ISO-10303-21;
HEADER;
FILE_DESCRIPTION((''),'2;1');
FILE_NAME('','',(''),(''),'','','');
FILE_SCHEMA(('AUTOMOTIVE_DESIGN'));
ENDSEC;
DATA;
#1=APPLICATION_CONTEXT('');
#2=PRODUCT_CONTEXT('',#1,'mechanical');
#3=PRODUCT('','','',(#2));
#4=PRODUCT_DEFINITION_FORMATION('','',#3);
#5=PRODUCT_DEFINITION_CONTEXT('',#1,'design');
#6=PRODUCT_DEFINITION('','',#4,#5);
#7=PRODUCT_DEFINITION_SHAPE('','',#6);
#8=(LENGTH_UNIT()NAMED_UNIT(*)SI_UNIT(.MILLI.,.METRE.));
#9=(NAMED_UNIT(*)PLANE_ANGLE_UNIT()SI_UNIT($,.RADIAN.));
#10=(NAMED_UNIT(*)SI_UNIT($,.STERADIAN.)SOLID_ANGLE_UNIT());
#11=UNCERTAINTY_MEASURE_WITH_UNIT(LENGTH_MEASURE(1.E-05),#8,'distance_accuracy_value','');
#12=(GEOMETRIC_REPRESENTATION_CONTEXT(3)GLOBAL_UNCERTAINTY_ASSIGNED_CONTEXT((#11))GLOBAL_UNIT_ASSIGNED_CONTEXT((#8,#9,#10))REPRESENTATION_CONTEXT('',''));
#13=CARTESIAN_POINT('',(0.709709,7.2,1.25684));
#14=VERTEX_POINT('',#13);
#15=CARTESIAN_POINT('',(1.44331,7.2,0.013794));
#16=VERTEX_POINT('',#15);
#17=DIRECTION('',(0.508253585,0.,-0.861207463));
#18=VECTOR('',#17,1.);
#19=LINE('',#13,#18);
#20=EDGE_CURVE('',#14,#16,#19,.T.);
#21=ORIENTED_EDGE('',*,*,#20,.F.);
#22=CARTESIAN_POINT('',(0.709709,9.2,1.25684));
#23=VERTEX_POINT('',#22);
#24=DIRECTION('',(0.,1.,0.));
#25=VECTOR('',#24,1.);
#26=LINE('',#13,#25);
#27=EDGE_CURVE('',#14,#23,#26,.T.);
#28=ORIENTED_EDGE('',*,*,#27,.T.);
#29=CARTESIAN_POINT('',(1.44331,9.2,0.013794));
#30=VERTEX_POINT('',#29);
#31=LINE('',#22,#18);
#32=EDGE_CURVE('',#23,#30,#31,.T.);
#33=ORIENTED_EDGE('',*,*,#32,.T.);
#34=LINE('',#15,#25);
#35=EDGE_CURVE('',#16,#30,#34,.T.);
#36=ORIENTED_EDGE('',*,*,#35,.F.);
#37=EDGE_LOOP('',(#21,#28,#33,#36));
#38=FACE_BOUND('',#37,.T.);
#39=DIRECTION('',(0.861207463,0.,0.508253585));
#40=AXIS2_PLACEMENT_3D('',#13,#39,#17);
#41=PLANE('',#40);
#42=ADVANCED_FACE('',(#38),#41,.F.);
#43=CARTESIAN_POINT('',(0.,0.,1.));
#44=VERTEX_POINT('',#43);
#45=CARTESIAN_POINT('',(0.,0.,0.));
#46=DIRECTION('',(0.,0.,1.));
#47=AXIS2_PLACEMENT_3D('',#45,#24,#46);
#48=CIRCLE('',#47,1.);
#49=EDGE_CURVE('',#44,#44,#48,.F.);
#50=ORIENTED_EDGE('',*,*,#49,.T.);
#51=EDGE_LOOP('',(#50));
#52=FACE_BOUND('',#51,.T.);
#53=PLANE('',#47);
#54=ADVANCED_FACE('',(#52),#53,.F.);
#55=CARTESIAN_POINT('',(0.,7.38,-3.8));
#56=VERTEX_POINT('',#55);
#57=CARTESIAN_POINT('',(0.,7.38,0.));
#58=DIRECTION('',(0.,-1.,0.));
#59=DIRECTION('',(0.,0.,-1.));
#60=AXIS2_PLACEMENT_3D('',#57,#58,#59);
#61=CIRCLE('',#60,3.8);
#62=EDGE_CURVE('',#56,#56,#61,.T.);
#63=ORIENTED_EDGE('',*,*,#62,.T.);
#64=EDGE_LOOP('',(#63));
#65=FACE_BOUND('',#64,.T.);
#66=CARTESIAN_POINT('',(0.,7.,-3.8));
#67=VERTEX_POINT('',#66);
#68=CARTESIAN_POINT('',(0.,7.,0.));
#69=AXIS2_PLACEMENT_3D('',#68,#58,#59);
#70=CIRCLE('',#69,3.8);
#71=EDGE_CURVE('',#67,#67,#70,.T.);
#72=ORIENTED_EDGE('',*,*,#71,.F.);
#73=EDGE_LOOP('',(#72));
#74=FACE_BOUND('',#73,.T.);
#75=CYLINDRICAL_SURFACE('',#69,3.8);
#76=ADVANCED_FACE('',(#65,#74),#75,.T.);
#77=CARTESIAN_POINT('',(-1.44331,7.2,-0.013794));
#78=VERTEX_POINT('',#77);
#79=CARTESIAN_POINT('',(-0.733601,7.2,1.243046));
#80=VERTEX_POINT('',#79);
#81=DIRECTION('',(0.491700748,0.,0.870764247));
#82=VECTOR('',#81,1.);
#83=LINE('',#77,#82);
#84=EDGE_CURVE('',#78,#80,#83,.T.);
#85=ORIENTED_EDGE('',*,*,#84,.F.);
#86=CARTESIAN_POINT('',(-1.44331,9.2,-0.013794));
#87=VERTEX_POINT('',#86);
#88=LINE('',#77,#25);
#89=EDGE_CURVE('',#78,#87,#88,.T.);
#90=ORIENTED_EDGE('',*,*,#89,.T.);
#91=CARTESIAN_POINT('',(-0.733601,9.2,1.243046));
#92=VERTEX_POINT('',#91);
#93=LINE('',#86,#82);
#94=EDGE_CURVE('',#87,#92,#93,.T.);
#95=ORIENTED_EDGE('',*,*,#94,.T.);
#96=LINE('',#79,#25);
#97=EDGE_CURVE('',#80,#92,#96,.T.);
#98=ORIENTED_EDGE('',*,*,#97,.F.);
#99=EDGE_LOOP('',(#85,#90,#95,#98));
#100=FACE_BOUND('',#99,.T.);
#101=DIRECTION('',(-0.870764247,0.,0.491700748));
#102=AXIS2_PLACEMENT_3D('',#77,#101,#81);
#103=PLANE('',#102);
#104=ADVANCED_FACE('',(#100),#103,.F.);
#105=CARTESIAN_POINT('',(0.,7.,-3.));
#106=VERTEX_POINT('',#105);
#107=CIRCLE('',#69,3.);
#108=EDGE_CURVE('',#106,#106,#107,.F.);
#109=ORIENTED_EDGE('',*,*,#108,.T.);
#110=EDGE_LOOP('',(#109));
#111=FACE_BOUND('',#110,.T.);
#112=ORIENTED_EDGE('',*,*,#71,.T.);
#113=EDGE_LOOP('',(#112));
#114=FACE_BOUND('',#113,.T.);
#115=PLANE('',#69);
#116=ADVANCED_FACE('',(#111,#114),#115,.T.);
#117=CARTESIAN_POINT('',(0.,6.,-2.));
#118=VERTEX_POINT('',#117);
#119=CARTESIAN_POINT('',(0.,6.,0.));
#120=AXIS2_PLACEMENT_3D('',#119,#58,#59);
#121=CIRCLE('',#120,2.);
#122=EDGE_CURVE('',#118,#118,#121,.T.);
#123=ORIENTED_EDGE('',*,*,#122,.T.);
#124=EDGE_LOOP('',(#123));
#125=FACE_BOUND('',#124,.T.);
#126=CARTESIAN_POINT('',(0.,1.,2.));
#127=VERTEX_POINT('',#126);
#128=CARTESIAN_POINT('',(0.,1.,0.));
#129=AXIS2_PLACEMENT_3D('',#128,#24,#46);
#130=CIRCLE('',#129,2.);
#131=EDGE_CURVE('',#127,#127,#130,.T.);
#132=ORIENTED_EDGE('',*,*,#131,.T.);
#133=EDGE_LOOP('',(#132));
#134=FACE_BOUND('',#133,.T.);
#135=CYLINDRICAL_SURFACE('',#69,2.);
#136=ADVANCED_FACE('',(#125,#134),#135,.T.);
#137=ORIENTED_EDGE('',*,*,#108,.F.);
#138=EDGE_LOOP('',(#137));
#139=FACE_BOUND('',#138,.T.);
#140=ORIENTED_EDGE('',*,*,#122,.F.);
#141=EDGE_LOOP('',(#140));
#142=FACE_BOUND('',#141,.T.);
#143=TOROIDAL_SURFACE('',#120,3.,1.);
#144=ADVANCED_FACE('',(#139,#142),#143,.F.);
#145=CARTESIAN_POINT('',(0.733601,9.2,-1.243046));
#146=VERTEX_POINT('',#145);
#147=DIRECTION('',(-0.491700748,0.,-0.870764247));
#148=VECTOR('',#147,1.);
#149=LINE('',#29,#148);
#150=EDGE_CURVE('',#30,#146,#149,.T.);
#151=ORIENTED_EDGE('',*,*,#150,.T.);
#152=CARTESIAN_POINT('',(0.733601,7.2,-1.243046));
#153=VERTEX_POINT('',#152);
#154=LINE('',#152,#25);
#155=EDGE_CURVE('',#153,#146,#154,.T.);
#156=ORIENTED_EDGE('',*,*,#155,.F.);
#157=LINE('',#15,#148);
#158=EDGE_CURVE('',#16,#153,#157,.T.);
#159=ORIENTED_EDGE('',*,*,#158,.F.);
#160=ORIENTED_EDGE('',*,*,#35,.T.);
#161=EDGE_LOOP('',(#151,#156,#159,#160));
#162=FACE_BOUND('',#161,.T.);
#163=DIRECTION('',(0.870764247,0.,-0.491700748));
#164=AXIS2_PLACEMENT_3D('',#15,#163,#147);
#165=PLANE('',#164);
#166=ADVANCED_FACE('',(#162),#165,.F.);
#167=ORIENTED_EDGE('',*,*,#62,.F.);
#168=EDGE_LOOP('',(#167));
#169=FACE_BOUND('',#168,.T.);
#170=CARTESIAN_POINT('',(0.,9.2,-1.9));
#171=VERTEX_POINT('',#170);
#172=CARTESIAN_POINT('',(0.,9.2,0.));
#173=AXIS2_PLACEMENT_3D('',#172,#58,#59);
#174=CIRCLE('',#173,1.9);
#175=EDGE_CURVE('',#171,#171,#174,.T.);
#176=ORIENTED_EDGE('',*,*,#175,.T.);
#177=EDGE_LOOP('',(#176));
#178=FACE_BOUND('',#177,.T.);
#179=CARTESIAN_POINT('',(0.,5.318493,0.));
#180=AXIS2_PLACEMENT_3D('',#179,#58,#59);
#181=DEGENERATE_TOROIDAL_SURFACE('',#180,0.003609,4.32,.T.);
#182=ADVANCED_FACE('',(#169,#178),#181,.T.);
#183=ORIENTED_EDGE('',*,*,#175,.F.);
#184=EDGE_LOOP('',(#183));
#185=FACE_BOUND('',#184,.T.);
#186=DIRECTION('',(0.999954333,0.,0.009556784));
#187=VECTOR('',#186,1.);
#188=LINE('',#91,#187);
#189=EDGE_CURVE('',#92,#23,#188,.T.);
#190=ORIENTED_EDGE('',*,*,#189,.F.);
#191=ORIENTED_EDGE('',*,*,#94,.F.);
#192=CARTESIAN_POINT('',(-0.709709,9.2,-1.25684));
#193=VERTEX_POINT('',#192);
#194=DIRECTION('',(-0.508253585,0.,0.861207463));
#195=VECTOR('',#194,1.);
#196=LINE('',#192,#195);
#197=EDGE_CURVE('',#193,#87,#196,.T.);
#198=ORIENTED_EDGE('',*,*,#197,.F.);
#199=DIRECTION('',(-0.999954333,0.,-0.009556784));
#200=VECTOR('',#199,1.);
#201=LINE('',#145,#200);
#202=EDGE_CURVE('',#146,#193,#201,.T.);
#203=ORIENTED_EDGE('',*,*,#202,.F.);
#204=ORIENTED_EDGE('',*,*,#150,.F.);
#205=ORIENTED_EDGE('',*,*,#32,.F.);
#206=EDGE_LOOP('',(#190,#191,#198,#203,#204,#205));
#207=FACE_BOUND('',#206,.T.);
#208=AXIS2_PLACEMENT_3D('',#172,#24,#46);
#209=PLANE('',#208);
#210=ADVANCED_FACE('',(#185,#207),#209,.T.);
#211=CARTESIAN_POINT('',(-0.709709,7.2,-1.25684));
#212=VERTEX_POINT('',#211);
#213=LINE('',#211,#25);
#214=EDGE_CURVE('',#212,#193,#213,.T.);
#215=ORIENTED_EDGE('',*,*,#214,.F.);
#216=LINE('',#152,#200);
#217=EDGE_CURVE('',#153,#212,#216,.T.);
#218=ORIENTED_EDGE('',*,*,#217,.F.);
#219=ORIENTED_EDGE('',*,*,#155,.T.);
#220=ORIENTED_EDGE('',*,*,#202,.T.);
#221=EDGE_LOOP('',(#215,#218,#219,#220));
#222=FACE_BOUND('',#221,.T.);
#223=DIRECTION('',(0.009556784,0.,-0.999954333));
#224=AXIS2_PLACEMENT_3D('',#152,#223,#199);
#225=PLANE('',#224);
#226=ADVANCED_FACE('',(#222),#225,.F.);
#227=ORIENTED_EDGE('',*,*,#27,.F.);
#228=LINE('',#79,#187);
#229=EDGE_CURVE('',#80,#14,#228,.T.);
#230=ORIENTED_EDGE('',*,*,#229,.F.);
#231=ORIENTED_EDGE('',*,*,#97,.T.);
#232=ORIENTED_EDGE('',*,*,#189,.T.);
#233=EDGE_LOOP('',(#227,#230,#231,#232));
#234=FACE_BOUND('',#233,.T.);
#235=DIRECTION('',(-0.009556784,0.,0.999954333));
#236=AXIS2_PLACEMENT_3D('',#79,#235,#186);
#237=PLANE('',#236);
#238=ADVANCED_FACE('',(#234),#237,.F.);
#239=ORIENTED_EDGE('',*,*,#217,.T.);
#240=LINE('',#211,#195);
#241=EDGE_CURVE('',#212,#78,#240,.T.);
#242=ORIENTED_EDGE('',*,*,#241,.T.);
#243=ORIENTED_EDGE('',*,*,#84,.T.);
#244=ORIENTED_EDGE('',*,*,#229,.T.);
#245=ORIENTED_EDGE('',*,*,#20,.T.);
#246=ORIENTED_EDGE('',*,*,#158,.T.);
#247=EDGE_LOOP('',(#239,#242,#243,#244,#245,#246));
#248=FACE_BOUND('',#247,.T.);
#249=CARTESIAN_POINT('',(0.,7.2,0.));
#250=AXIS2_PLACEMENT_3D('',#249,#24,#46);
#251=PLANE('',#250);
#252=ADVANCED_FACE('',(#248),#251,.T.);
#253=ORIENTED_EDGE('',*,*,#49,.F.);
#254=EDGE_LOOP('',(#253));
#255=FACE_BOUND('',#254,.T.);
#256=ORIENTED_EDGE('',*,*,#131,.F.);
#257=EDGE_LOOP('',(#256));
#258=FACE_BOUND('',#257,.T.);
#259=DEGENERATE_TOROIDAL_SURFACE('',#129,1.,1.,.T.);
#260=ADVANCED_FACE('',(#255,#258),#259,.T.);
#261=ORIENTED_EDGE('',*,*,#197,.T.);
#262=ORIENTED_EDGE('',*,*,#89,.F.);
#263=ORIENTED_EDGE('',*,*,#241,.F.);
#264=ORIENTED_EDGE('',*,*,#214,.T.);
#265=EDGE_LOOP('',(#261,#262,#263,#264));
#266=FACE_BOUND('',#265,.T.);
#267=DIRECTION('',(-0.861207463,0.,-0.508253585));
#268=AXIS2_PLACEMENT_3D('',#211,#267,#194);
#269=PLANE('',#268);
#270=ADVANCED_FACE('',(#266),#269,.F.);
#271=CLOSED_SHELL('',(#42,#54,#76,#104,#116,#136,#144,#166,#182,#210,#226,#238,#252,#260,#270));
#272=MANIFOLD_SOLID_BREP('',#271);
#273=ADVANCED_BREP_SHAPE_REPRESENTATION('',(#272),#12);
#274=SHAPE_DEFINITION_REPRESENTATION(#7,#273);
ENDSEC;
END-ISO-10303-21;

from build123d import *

# Parameters (mm, degrees)
SKETCH1_R           = 2
BOSS_EXTRUDE1_DEPTH = 7
CUT_EXTRUDE1_DEPTH  = 2
FILLET1_R           = 1


with BuildPart() as part:
    # Sketch1 → Boss-Extrude1 (new body)
    with BuildSketch(Plane(origin=(0, 0, 0), x_dir=(1, 0, 0), z_dir=(0, 1, 0))):
        with Locations(Location((0, 0, 0), (0, 0, 270))):
            Circle(SKETCH1_R)
    extrude(amount=BOSS_EXTRUDE1_DEPTH)

    # Sketch2 → Revolve1 (revolve)
    with BuildSketch(Plane.XY, mode=Mode.PRIVATE) as revolve1_sk:
        with BuildLine():
            Line((0, 7), (3.8, 7))
            Line((3.8, 7), (3.8, 7.38))
            ThreePointArc((3.8, 7.38), (2.991926525, 8.438165054), (1.9, 9.2))
            Line((1.9, 9.2), (0, 9.2))
            Line((0, 9.2), (0, 7))
        make_face()
    revolve(revolve1_sk.sketch.rotate(Axis((0, 7, 0), (0, 1, 0)), 90), axis=Axis((0, 7, 0), (0, 1, 0)))

    # Sketch3 → Cut-Extrude1 (cut)
    with BuildSketch(Plane(origin=(0, 9.2, 0), x_dir=(1, 0, 0), z_dir=(0, 1, 0))):
        Polygon((-0.73360086, -1.243045901), (0.709708899, -1.256839931), (1.443309758, -0.01379403), (0.73360086, 1.243045901), (-0.709708899, 1.256839931), (-1.443309758, 0.01379403), align=None)
    extrude(amount=-CUT_EXTRUDE1_DEPTH, mode=Mode.SUBTRACT)

    # Fillet1
    fillet1_edges = [part.edges().sort_by_distance(p)[0] for p in [
        (0, 0, -2),
        (0, 7, -2),
    ]]
    fillet(fillet1_edges, radius=FILLET1_R)


solid = part.part
